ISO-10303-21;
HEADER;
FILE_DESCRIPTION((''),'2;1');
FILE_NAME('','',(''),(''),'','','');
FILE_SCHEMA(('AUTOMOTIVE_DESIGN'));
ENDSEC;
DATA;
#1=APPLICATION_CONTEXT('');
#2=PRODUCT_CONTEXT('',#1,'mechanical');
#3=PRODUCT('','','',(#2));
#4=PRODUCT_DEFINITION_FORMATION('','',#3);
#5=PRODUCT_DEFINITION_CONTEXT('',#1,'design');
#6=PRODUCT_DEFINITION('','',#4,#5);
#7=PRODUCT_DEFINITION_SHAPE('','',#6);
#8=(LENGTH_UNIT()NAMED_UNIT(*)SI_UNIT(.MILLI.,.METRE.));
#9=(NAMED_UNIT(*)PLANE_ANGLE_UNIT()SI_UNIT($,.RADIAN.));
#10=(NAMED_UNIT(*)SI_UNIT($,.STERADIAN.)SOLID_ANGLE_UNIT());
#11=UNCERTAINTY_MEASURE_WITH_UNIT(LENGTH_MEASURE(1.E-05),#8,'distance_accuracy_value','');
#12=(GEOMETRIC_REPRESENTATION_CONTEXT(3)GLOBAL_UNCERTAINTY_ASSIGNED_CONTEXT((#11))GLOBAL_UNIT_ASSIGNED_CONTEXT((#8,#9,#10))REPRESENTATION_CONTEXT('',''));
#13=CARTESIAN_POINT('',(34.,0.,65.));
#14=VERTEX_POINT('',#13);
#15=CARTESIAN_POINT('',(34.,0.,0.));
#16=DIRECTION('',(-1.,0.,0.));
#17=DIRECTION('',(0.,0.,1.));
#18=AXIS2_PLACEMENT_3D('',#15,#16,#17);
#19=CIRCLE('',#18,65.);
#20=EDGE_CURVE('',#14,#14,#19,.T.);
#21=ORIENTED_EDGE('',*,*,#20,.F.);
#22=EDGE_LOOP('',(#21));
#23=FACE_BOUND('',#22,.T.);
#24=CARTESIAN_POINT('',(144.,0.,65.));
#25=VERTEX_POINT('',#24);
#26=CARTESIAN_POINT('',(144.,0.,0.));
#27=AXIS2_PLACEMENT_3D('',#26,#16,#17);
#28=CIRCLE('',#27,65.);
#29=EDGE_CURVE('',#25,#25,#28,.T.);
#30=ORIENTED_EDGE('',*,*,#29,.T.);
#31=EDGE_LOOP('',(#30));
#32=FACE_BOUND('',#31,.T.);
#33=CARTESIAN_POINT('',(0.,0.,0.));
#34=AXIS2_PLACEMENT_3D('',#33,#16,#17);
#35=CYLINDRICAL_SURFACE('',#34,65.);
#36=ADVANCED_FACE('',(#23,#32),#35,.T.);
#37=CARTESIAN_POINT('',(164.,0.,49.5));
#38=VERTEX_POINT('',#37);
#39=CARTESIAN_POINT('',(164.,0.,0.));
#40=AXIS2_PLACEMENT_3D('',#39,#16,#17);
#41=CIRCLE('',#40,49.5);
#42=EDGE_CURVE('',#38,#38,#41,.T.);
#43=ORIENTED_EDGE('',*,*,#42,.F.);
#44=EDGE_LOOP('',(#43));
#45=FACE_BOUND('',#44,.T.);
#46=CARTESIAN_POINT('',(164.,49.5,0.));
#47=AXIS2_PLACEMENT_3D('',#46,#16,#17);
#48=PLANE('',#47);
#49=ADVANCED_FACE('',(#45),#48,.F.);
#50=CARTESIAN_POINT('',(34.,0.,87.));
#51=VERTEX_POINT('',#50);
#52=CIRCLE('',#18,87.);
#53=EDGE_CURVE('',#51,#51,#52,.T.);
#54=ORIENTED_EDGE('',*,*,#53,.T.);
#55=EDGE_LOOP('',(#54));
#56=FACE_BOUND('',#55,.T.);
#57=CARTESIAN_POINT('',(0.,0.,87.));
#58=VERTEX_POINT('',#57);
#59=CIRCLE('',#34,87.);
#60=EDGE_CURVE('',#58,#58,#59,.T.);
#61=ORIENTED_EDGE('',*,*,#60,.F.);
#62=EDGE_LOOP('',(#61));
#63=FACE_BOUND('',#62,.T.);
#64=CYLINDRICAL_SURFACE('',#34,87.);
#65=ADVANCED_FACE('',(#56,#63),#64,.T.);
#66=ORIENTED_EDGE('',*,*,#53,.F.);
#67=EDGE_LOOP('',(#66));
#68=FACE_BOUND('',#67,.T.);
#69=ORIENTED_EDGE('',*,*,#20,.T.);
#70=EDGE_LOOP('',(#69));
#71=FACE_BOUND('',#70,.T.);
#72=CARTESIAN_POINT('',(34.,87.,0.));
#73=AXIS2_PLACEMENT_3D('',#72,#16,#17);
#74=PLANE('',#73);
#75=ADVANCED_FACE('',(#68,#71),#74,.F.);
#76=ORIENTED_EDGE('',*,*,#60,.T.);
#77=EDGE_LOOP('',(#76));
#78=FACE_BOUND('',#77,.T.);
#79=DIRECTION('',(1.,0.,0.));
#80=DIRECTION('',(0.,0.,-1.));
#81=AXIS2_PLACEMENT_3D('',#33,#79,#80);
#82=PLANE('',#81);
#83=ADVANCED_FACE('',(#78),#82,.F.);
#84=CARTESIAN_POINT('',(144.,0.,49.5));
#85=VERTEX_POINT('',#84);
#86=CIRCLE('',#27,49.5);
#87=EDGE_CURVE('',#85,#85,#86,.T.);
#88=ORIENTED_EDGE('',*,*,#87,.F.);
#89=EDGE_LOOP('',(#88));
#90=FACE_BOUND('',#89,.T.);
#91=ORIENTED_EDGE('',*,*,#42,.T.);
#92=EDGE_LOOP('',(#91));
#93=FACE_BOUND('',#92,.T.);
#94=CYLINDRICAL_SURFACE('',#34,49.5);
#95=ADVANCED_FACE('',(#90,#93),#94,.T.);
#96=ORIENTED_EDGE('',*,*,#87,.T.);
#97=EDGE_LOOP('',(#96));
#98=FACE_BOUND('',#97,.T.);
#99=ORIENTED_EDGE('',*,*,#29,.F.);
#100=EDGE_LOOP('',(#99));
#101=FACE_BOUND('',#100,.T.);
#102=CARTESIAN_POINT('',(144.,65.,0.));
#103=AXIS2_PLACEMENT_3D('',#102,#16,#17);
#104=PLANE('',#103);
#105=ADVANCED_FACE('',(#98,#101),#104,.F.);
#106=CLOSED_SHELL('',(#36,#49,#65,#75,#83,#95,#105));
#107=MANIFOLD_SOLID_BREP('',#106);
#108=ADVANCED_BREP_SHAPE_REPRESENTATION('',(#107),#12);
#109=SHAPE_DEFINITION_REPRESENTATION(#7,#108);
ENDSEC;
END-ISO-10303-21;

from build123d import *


with BuildPart() as part:
    # ｽｹｯﾁ1 → 回転1 (revolve)
    with BuildSketch(Plane.XY, mode=Mode.PRIVATE) as revolve_1_sk:
        Polygon((0, 0), (0, 87), (34, 87), (34, 65), (144, 65), (144, 49.5), (164, 49.5), (164, 0), align=None)
    revolve(revolve_1_sk.sketch.rotate(Axis((0, 0, 0), (1, 0, 0)), 90), axis=Axis((0, 0, 0), (1, 0, 0)))


solid = part.part
